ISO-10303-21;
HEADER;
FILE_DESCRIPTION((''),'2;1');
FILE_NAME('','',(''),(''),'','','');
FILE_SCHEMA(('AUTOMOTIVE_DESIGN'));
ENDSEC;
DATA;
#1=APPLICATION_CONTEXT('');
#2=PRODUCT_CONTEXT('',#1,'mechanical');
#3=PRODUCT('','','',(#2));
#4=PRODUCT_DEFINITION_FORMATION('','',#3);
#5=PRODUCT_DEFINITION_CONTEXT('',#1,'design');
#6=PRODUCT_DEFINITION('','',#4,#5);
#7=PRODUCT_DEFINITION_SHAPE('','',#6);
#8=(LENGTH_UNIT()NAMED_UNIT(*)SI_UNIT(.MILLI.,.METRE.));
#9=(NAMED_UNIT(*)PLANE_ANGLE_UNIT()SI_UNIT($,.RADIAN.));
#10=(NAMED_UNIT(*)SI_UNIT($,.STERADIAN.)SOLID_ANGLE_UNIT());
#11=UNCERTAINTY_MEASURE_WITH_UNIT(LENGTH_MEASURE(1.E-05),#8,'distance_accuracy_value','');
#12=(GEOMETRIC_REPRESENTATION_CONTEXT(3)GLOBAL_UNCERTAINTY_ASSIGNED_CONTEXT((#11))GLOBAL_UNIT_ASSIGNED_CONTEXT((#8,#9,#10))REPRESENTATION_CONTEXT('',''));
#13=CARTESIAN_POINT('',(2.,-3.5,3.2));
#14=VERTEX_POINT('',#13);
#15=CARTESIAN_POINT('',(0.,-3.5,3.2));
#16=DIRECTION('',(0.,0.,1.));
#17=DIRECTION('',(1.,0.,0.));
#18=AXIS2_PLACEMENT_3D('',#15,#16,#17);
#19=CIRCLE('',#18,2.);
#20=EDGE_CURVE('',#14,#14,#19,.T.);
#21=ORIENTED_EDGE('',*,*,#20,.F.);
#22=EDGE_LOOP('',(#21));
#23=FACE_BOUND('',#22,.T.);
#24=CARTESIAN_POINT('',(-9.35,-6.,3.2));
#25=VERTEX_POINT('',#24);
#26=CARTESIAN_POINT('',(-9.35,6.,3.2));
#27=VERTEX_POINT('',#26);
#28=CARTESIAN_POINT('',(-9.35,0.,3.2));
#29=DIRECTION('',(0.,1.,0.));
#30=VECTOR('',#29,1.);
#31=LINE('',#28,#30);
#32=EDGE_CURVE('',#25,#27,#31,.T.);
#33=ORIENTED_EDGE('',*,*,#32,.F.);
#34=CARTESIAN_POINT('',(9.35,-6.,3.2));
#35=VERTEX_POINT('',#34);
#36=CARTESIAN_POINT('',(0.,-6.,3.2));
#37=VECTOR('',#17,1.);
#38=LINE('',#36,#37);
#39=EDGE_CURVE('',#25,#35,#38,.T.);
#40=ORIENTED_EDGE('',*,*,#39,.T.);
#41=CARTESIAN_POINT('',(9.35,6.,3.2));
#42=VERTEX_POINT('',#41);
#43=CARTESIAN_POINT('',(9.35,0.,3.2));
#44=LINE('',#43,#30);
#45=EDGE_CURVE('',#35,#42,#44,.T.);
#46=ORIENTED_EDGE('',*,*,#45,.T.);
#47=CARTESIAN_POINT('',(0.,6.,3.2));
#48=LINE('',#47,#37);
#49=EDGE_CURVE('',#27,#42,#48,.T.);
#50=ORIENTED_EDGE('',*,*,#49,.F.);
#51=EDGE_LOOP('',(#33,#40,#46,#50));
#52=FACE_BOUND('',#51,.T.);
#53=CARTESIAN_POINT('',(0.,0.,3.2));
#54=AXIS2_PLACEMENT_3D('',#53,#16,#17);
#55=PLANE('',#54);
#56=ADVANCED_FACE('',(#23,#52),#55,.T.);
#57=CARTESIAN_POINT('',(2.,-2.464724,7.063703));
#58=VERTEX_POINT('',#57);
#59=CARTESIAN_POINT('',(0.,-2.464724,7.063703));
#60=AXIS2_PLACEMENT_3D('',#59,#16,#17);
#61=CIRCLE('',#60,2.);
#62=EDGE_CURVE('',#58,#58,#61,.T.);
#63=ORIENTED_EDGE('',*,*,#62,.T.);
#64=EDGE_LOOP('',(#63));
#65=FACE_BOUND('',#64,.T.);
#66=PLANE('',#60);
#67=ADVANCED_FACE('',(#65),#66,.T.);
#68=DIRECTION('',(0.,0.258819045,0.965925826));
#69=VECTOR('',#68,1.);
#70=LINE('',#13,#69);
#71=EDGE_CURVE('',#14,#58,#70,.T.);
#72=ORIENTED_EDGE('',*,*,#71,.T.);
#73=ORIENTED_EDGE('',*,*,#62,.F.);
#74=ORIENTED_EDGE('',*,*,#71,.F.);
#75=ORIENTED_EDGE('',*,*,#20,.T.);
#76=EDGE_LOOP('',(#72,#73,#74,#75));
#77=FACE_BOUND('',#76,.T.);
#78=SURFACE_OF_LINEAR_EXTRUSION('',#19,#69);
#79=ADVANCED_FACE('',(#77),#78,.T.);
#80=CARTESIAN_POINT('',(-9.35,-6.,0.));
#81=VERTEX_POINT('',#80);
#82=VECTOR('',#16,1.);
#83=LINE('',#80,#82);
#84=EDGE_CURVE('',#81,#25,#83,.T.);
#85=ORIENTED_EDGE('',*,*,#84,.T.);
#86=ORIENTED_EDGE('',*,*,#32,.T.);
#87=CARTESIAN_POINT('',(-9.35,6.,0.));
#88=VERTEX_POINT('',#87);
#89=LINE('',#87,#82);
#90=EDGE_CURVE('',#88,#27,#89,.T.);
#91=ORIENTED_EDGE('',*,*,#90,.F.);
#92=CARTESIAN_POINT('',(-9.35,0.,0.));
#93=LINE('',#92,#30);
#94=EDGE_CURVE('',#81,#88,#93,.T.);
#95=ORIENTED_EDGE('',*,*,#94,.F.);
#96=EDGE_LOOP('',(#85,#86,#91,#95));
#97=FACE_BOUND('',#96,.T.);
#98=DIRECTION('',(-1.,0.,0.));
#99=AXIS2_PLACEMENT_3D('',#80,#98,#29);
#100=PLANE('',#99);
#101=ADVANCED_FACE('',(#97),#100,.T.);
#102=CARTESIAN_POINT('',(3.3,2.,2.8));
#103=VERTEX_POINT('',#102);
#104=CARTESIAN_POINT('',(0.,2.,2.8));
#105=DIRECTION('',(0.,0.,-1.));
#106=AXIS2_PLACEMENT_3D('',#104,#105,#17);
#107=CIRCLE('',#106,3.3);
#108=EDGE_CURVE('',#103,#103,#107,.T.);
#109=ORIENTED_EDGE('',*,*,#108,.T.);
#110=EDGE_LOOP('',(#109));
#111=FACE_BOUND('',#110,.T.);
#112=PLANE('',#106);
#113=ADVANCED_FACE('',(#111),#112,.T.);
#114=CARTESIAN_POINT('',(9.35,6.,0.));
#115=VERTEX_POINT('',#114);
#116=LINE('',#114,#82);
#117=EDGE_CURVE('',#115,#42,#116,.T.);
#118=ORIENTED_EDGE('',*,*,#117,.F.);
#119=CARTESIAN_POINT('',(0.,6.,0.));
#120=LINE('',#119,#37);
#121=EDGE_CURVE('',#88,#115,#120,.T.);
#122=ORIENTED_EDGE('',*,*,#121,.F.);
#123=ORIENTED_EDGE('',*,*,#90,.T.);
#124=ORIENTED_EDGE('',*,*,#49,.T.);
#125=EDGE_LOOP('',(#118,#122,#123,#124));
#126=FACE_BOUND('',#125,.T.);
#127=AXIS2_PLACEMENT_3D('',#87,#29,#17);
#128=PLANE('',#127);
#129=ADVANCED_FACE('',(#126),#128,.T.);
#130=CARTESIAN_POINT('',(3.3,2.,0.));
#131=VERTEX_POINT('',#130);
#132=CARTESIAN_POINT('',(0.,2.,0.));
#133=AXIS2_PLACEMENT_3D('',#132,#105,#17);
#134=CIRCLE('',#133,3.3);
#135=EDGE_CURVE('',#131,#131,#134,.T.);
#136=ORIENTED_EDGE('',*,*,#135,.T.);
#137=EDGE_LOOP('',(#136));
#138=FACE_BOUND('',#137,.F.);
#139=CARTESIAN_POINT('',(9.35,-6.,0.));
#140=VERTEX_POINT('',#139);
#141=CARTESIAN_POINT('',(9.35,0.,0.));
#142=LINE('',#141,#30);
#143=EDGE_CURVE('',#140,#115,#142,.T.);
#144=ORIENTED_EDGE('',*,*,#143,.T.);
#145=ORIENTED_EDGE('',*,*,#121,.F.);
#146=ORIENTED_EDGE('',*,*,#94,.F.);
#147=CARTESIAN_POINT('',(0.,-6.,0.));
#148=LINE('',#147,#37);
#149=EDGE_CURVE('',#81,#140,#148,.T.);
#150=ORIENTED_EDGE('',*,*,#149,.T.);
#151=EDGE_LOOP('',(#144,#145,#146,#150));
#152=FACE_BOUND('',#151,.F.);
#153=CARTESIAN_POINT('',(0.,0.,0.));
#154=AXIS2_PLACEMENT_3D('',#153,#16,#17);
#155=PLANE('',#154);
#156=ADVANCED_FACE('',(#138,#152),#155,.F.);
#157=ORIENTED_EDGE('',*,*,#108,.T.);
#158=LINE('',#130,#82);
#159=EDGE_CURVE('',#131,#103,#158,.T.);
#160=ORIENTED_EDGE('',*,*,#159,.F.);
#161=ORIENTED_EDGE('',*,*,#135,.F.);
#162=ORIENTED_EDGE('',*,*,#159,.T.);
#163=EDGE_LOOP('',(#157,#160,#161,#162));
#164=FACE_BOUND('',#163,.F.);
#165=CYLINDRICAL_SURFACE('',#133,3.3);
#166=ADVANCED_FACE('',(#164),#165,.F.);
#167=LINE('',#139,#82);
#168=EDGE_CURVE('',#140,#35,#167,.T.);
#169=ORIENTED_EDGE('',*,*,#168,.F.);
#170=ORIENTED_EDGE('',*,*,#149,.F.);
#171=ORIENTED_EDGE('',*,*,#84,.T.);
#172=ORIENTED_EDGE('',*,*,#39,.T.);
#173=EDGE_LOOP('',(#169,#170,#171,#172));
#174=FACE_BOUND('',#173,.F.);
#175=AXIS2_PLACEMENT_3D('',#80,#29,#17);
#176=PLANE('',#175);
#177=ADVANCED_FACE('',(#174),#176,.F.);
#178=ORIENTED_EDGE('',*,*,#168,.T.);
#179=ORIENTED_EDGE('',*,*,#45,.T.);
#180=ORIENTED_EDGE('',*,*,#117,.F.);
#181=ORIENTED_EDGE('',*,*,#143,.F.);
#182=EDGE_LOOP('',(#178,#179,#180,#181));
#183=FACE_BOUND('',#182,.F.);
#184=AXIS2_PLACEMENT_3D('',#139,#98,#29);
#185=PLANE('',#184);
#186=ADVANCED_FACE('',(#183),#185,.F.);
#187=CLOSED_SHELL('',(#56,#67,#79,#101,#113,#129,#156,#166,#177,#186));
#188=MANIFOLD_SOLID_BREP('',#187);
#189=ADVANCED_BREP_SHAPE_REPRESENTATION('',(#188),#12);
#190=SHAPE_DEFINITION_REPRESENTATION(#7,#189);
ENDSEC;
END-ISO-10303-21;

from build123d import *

# Parameters (mm, degrees)
F0_W     = 18.7
F0_H     = 12
F1_DEPTH = 3.2
F3_R     = 3.3
F4_DEPTH = 2.8
F2_R     = 2


with BuildPart() as f1:
    # F0 (on Top) → F1 (new body)
    with BuildSketch(Plane.XY):
        Rectangle(F0_W, F0_H)
    extrude(amount=F1_DEPTH)

    # F3 (on face) → F4 (cut)
    with BuildSketch(Plane(origin=(0, 0, 0), x_dir=(1, 0, 0), z_dir=(0, 0, -1))):
        with Locations((0, -2)):
            Circle(F3_R)
    extrude(amount=-F4_DEPTH, mode=Mode.SUBTRACT)

    # F6: sweep along a path in F5
    with BuildLine(Plane.YZ) as f6_path:
        Line((-3.5, 3.2), (-2.4647238196, 7.0637033052))
    # F2 (on face) → F6 (sweep)
    with BuildSketch(Plane.XY.offset(3.2)):
        with Locations((0, -3.5)):
            Circle(F2_R)
    sweep(path=f6_path.line)


solid = f1.part
